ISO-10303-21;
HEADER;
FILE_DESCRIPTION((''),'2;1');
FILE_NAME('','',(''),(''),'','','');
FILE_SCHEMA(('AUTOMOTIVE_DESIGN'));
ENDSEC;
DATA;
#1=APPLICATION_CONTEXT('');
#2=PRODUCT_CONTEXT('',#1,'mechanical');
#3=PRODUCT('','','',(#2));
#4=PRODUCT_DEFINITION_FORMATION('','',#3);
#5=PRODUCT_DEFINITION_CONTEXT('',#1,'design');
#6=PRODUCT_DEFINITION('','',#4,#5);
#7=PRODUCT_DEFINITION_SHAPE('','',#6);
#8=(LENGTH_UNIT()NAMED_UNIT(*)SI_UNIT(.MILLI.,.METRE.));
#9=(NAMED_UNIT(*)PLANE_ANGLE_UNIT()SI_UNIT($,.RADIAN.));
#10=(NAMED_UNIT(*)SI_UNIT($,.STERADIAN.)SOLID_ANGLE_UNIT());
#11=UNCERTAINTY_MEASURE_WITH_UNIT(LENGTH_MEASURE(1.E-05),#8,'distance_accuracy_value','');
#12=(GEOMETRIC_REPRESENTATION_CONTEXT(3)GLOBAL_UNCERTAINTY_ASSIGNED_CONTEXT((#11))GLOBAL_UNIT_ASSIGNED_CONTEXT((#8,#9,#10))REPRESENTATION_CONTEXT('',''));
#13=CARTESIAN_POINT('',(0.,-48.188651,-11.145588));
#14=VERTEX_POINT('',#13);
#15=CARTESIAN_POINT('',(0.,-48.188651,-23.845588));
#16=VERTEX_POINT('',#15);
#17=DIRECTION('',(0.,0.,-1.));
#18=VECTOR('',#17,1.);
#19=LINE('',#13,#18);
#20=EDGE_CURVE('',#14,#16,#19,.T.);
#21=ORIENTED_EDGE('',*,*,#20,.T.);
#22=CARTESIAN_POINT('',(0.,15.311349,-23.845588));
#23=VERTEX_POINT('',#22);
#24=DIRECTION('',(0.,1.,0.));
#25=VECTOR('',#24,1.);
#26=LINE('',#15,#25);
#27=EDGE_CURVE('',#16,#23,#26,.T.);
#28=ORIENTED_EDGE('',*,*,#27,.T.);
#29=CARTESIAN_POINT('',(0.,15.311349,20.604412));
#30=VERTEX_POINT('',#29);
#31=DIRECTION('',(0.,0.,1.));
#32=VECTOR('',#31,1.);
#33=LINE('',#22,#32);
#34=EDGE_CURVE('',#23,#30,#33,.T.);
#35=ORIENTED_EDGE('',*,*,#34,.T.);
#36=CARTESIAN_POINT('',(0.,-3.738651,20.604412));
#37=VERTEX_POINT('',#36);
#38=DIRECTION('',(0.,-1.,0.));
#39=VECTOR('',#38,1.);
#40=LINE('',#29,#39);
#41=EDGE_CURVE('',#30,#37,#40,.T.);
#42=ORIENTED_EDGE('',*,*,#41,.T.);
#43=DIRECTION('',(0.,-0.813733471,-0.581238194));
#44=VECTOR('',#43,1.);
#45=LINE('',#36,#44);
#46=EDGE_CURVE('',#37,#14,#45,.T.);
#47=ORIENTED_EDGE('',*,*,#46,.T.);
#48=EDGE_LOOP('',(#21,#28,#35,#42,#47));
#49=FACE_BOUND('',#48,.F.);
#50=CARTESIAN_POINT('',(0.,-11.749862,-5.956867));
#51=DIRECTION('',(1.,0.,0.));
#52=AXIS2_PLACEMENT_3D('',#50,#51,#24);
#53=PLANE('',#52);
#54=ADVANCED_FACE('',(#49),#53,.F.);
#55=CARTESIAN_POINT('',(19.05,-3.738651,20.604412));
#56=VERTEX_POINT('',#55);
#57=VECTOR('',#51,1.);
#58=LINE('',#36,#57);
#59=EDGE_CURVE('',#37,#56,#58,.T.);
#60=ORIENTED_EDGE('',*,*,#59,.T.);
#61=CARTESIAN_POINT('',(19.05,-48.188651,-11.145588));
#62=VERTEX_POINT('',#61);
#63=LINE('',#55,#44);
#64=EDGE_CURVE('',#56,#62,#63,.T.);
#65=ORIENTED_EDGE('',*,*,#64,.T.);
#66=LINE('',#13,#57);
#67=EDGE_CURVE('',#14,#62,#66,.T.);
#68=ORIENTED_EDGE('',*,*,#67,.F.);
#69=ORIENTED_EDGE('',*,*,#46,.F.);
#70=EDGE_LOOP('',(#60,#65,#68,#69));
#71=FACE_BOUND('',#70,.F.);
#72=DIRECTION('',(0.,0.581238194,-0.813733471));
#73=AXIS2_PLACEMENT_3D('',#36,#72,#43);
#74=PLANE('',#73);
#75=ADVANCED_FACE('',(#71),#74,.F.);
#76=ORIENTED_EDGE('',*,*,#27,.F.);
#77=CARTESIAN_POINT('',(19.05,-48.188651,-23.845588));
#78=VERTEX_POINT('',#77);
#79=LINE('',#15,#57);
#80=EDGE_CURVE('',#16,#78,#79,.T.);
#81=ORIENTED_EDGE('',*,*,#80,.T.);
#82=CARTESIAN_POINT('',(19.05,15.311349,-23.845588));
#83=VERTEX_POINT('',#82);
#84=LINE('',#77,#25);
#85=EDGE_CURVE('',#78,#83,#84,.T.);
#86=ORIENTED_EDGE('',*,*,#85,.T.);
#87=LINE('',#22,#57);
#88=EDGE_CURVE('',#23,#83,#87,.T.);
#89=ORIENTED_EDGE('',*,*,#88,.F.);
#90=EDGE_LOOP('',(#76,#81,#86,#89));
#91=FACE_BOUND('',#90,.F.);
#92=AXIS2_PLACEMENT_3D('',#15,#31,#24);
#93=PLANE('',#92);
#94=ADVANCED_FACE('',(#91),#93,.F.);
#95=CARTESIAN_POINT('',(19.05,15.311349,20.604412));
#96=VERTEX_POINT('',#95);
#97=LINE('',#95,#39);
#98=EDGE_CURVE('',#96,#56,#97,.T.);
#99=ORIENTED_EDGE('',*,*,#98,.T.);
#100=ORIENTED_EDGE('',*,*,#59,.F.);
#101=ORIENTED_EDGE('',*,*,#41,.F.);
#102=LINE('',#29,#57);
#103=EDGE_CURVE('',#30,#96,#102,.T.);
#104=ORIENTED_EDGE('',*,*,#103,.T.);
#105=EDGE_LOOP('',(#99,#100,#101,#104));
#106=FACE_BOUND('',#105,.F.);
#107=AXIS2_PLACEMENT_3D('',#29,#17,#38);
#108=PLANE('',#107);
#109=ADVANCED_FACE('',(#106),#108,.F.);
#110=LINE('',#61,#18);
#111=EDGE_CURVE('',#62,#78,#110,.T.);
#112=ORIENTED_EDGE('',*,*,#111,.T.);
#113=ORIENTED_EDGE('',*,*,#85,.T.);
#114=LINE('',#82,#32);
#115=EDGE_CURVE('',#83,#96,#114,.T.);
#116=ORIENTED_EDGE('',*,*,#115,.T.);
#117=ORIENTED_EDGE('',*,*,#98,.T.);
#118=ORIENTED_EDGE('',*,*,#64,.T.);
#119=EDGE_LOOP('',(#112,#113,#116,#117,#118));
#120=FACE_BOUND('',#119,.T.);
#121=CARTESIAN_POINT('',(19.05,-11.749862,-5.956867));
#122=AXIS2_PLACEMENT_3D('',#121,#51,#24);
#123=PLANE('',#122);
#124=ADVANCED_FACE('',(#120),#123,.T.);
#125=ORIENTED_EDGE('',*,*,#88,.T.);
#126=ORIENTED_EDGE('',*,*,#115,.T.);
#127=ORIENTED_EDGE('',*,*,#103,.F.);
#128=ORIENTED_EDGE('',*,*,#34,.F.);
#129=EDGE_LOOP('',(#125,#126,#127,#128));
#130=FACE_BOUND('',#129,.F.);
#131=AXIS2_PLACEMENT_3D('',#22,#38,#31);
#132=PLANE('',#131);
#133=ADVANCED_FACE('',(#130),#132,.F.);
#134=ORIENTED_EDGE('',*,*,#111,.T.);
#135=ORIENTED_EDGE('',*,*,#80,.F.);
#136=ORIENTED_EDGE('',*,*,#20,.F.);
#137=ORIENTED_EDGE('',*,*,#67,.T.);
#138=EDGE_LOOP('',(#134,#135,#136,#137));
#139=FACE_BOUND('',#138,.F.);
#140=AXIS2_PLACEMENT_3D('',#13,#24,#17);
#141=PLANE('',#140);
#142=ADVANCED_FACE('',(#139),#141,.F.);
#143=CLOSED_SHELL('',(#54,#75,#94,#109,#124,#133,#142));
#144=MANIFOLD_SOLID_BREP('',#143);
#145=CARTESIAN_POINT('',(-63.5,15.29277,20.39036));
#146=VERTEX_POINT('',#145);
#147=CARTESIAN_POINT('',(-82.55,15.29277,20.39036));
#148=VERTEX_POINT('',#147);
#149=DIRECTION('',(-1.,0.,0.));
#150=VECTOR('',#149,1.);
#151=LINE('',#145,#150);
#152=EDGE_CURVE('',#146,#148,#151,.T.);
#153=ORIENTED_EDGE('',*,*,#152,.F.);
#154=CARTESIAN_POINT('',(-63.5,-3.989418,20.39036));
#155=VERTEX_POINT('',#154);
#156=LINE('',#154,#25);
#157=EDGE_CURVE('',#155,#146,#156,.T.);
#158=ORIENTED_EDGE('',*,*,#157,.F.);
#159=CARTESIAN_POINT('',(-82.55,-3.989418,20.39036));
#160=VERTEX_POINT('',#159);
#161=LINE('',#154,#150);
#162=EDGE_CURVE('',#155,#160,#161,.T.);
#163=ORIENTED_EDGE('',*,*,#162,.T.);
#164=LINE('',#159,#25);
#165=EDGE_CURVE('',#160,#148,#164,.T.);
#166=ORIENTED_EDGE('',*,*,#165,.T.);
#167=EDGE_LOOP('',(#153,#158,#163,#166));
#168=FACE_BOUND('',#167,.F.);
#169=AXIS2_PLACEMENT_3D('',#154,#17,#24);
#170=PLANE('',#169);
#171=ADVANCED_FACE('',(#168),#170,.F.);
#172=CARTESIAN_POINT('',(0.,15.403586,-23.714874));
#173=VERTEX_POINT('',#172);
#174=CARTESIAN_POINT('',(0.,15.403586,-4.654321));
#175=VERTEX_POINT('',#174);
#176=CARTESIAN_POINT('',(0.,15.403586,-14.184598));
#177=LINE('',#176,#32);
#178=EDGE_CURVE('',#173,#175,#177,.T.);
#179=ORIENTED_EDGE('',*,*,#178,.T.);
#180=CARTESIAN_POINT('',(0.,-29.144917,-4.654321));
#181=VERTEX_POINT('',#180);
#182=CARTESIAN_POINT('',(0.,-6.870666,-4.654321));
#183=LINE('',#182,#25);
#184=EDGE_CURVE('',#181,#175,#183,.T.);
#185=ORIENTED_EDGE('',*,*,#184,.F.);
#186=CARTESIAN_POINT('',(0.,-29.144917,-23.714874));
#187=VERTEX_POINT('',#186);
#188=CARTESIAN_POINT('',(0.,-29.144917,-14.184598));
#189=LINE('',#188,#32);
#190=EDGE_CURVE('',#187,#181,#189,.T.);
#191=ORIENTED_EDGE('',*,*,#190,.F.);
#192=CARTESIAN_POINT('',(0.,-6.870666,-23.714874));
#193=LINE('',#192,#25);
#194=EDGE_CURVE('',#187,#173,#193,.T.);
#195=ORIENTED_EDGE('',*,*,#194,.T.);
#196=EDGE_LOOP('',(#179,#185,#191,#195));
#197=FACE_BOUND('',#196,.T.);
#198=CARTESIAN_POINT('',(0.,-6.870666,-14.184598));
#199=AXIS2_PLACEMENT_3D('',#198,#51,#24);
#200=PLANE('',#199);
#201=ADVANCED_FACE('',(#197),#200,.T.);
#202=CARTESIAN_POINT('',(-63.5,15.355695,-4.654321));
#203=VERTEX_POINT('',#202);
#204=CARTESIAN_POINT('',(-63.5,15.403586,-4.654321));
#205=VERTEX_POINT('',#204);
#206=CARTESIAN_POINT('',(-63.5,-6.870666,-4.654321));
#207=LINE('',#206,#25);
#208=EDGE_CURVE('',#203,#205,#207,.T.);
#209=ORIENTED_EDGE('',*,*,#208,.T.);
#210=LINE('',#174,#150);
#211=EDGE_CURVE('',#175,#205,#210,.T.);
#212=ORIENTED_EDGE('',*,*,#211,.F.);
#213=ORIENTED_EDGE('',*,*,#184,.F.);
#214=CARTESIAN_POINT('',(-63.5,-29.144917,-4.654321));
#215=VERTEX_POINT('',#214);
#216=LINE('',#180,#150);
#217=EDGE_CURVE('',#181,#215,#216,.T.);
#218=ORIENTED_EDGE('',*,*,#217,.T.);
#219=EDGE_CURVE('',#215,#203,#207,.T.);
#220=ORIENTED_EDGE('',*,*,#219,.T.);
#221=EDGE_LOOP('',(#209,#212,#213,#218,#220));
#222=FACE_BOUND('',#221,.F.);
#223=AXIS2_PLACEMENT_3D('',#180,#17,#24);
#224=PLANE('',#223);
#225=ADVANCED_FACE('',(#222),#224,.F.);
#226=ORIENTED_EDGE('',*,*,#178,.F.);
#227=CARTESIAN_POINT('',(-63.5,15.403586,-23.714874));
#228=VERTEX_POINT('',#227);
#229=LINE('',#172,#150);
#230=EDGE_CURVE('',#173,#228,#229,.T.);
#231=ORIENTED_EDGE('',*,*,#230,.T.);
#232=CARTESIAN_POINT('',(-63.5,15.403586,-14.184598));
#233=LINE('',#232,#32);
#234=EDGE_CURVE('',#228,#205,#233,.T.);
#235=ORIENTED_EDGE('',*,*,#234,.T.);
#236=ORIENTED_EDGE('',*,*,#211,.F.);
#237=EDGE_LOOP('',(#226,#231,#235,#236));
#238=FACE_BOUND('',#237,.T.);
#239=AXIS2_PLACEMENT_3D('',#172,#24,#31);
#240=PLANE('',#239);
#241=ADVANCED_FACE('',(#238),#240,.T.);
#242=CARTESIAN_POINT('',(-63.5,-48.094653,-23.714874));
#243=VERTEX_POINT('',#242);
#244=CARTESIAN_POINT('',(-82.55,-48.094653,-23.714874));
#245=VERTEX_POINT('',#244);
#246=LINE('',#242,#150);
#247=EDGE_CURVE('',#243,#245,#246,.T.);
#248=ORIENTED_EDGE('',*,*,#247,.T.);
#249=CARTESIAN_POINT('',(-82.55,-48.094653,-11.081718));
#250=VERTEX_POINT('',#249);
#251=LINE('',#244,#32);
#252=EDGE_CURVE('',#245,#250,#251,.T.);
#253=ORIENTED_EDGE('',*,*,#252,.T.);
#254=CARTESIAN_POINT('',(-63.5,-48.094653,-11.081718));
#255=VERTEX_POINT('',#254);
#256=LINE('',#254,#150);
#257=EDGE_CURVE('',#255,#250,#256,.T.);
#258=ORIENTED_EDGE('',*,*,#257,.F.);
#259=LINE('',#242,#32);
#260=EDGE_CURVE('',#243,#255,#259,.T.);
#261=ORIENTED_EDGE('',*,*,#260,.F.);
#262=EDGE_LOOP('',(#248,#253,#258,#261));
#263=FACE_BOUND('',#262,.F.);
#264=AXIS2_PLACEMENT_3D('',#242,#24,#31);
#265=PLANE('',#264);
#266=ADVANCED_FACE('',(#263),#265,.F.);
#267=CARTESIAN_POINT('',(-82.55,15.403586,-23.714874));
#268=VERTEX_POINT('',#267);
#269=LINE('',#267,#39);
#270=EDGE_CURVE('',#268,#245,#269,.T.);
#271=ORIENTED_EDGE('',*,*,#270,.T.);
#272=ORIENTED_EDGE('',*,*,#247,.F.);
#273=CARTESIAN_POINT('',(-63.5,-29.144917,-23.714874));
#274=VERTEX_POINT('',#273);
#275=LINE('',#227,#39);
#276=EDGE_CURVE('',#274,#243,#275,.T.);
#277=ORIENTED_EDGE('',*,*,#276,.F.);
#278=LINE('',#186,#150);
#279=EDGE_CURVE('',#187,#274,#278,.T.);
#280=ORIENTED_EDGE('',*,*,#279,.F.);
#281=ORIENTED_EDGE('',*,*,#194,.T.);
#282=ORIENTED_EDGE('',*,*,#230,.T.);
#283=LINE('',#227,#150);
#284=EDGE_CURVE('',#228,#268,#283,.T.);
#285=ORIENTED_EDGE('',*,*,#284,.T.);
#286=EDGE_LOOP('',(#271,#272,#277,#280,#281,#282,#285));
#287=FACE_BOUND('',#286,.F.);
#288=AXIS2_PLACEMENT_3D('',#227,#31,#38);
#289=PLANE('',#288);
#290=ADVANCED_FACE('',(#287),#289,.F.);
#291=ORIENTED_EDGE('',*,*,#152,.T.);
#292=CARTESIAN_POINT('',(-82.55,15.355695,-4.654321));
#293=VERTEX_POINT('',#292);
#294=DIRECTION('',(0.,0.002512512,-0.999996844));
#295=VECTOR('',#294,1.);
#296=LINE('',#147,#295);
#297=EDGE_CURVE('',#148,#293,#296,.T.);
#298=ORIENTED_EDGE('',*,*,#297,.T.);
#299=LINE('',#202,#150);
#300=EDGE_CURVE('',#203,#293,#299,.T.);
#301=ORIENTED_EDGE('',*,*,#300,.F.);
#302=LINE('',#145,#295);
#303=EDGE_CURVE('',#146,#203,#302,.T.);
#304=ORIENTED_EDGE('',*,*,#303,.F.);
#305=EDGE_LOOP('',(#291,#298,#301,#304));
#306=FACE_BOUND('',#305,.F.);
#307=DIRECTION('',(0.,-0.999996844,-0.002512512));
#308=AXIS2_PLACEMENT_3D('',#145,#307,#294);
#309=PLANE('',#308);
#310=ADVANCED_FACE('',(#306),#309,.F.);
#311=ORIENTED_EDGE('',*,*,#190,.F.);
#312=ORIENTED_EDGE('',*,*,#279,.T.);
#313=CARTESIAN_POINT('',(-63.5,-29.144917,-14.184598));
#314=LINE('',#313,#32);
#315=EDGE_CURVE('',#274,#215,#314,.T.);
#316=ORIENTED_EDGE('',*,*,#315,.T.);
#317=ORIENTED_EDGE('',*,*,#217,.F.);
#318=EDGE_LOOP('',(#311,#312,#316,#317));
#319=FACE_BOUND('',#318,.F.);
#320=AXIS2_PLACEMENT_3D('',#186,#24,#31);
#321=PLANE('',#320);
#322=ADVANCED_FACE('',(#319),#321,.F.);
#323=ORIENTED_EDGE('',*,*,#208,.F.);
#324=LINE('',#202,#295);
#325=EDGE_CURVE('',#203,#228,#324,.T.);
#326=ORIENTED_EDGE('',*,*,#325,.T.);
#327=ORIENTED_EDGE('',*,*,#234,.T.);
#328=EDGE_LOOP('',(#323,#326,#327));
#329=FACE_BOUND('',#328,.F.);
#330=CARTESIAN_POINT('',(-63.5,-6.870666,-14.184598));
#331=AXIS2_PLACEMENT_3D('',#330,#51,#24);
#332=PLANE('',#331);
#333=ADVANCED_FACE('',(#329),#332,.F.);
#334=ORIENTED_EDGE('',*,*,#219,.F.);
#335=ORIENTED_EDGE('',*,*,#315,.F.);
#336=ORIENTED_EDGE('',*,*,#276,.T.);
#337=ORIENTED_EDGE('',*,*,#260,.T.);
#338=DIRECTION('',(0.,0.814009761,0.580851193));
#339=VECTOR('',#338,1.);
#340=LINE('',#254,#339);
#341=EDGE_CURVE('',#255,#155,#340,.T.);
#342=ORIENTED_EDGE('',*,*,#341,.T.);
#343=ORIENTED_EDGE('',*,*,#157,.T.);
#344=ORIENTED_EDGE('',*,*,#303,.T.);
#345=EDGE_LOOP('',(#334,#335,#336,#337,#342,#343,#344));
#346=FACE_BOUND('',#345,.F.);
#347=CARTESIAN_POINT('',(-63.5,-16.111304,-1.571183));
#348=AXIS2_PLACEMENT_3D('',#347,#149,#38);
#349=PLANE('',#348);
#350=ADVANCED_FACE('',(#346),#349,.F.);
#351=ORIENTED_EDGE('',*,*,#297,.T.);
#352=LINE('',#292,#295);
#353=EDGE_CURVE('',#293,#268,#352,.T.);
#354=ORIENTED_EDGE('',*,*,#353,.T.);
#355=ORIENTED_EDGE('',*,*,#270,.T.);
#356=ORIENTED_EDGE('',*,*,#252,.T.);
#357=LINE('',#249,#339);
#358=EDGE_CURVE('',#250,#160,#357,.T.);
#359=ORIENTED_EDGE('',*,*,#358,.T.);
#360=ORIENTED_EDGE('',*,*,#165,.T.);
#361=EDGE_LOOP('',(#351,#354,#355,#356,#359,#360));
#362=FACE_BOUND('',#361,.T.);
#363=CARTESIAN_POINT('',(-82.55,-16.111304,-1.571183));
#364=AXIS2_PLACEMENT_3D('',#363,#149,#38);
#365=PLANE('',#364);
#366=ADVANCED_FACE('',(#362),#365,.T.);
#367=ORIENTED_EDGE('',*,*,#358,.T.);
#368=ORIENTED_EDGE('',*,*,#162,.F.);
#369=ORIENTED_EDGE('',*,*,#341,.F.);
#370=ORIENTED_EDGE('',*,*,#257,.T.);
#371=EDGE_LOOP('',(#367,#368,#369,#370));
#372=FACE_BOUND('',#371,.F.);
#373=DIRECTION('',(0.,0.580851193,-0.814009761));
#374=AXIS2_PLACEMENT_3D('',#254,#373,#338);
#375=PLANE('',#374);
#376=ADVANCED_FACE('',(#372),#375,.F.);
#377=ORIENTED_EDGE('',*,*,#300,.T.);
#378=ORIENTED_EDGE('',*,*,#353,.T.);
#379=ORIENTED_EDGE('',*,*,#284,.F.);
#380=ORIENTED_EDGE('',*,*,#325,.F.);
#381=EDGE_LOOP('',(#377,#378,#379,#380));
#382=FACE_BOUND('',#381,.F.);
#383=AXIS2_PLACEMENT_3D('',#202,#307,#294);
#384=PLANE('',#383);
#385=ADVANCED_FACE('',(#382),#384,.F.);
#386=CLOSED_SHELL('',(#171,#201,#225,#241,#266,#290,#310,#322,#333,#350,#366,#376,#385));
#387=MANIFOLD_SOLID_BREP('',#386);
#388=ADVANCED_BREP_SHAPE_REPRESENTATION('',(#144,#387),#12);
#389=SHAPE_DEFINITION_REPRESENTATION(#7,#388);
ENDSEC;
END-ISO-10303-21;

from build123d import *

# Parameters (mm, degrees)
F1_DEPTH = 19.05
F2_W     = 44.5485021919
F2_H     = 19.0605525859
F3_DEPTH = 63.5
F5_DEPTH = 19.05


with BuildPart() as f1:
    # F0 (on Right) → F1 (new body)
    with BuildSketch(Plane.YZ):
        Polygon((15.3113486357, 20.6044124255), (-3.7386513643, 20.6044124255), (-48.1886513643, -11.1455875745), (-48.1886513643, -23.8455875745), (15.3113486357, -23.8455875745), align=None)
    extrude(amount=F1_DEPTH)


with BuildPart() as f3:
    # F2 (on Right) → F3 (new body)
    with BuildSketch(Plane.YZ):
        with Locations((-6.8706655875, -14.1845976468)):
            Rectangle(F2_W, F2_H)
    extrude(amount=-F3_DEPTH)

    # F4 (on face) → F5 (join)
    with BuildSketch(Plane(origin=(-63.5, 0, 0), x_dir=(0, -1, 0), z_dir=(-1, 0, 0))):
        Polygon((29.1449166834, -4.6543213539), (29.1449166834, -23.7148739398), (48.0946525931, -23.7148739398), (48.0946525931, -11.0817179084), (3.9894175716, 20.3903596848), (-15.2927702293, 20.3903596848), (-15.3556954899, -4.6543213539), align=None)
        Polygon((-15.3556954899, -4.6543213539), (-15.4035855085, -23.7148739398), (29.1449166834, -23.7148739398), (29.1449166834, -4.6543213539), align=None)
    extrude(amount=F5_DEPTH)


solid = Compound([f1.part, f3.part])
